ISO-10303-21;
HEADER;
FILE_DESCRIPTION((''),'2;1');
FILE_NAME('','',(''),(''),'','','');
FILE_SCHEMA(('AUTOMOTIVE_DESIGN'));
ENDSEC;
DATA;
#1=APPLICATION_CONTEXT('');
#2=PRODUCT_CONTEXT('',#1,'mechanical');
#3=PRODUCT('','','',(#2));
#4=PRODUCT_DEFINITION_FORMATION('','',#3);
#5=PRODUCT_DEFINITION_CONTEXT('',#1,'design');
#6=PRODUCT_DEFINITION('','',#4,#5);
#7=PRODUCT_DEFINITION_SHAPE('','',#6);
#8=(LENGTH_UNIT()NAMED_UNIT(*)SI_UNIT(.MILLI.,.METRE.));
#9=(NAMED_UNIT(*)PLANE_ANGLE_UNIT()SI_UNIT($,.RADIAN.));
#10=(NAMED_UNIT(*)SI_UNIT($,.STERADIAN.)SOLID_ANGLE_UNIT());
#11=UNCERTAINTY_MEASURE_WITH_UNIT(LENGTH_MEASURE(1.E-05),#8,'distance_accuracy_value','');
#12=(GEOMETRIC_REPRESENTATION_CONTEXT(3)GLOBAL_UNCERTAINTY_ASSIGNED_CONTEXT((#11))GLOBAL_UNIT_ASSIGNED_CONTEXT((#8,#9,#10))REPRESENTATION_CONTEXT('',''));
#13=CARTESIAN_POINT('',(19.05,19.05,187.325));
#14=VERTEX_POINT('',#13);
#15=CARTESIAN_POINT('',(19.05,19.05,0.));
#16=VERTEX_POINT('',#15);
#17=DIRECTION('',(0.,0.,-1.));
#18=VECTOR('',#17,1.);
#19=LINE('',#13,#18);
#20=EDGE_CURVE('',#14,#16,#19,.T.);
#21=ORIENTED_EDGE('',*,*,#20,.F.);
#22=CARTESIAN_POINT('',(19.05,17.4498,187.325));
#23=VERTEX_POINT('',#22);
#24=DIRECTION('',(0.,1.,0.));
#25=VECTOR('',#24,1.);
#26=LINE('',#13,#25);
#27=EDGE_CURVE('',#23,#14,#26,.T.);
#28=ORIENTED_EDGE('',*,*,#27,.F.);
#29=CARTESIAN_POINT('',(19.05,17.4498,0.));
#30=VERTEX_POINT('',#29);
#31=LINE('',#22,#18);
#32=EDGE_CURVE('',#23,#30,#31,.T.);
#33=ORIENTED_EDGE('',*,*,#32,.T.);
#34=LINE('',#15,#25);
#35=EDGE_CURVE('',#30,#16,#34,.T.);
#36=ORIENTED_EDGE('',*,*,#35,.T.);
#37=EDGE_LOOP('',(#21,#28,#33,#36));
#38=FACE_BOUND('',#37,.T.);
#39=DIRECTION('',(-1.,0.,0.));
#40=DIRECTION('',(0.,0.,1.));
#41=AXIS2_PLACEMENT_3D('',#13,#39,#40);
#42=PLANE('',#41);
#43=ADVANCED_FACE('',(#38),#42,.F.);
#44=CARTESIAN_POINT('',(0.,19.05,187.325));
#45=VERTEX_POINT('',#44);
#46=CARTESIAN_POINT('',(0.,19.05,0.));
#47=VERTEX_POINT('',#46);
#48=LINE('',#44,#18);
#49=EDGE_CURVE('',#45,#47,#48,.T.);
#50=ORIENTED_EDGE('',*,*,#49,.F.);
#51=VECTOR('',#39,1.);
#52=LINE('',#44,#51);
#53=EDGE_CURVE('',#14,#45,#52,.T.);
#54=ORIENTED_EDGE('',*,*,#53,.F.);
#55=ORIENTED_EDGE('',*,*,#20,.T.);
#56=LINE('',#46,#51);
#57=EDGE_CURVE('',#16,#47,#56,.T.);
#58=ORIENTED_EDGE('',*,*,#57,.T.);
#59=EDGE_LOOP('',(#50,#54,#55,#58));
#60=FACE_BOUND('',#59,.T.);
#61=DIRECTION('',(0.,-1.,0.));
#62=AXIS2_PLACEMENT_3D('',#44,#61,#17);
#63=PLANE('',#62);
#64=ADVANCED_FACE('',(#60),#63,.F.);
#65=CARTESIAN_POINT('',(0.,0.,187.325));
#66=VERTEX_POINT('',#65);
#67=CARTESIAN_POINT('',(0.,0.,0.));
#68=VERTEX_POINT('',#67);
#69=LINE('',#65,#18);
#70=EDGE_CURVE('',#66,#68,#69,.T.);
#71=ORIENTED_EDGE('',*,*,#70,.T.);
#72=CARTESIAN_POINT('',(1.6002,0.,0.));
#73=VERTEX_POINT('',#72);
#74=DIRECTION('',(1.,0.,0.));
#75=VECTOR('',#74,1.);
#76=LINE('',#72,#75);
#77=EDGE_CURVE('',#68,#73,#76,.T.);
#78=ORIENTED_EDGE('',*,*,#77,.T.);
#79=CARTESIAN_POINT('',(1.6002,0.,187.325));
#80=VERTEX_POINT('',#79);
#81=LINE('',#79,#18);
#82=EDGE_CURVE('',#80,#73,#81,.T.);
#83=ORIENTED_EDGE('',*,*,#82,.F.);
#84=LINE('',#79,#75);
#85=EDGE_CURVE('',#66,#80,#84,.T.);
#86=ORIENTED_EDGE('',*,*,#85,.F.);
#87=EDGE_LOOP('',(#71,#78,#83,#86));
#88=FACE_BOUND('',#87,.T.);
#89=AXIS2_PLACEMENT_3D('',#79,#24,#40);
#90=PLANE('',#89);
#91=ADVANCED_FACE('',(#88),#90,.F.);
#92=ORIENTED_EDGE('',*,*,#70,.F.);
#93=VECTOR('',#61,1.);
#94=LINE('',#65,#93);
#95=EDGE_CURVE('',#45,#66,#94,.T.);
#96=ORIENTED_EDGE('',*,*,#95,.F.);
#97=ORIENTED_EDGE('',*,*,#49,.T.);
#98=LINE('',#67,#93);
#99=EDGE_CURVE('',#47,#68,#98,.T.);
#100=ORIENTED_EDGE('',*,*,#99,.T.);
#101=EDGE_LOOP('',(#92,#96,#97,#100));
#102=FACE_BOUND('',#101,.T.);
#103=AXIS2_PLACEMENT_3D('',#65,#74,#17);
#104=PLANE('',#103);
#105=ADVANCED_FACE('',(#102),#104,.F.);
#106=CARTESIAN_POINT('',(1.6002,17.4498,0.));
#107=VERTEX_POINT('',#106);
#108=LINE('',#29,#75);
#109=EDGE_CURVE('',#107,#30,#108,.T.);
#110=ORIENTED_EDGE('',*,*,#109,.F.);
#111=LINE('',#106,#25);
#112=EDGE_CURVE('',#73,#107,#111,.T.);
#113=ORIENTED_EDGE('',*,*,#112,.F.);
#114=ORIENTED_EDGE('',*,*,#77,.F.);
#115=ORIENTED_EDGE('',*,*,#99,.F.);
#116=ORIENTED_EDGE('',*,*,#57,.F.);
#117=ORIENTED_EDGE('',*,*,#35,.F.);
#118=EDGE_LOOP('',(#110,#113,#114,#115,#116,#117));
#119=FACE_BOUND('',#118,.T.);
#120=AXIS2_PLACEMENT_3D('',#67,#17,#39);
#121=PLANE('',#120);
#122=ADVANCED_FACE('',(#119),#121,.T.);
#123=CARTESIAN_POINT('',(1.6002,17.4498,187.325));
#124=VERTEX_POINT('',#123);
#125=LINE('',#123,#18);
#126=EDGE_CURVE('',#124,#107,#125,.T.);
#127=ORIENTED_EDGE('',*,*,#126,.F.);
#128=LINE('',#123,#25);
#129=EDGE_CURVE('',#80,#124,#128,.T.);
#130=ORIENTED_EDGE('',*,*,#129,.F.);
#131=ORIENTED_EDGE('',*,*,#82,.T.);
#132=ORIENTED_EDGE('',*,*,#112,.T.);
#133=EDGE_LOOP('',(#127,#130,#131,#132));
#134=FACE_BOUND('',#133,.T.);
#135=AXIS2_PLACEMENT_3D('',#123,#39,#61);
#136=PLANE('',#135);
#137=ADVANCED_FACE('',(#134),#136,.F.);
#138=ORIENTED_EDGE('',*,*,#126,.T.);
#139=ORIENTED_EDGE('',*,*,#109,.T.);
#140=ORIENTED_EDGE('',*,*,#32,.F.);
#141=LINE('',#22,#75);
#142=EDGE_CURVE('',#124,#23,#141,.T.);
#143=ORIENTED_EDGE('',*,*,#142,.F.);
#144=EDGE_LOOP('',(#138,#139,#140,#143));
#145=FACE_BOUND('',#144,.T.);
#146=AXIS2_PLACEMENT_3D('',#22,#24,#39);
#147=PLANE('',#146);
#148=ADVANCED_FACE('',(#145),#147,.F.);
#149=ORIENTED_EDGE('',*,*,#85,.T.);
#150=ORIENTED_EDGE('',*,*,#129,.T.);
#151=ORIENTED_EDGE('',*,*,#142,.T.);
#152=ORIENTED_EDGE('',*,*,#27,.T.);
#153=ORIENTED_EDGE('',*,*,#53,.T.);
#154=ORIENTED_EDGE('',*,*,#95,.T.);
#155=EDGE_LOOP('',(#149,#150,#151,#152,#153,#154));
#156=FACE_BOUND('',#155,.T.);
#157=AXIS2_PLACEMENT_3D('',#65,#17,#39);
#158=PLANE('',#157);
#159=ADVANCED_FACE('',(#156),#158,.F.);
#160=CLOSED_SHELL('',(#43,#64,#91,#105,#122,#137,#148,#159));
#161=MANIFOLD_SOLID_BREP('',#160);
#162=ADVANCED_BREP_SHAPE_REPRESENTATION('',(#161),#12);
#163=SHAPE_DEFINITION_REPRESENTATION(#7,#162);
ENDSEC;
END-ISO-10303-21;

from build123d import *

# Parameters (mm, degrees)
BOSS_EXTRUDE1_DEPTH = 187.325


with BuildPart() as part:
    # Sketch1 → Boss-Extrude1 (new body)
    with BuildSketch(Plane.XY):
        Polygon((0, 0), (0, 19.05), (19.05, 19.05), (19.05, 17.4498), (1.6002, 17.4498), (1.6002, 0), align=None)
    extrude(amount=BOSS_EXTRUDE1_DEPTH)


solid = part.part
